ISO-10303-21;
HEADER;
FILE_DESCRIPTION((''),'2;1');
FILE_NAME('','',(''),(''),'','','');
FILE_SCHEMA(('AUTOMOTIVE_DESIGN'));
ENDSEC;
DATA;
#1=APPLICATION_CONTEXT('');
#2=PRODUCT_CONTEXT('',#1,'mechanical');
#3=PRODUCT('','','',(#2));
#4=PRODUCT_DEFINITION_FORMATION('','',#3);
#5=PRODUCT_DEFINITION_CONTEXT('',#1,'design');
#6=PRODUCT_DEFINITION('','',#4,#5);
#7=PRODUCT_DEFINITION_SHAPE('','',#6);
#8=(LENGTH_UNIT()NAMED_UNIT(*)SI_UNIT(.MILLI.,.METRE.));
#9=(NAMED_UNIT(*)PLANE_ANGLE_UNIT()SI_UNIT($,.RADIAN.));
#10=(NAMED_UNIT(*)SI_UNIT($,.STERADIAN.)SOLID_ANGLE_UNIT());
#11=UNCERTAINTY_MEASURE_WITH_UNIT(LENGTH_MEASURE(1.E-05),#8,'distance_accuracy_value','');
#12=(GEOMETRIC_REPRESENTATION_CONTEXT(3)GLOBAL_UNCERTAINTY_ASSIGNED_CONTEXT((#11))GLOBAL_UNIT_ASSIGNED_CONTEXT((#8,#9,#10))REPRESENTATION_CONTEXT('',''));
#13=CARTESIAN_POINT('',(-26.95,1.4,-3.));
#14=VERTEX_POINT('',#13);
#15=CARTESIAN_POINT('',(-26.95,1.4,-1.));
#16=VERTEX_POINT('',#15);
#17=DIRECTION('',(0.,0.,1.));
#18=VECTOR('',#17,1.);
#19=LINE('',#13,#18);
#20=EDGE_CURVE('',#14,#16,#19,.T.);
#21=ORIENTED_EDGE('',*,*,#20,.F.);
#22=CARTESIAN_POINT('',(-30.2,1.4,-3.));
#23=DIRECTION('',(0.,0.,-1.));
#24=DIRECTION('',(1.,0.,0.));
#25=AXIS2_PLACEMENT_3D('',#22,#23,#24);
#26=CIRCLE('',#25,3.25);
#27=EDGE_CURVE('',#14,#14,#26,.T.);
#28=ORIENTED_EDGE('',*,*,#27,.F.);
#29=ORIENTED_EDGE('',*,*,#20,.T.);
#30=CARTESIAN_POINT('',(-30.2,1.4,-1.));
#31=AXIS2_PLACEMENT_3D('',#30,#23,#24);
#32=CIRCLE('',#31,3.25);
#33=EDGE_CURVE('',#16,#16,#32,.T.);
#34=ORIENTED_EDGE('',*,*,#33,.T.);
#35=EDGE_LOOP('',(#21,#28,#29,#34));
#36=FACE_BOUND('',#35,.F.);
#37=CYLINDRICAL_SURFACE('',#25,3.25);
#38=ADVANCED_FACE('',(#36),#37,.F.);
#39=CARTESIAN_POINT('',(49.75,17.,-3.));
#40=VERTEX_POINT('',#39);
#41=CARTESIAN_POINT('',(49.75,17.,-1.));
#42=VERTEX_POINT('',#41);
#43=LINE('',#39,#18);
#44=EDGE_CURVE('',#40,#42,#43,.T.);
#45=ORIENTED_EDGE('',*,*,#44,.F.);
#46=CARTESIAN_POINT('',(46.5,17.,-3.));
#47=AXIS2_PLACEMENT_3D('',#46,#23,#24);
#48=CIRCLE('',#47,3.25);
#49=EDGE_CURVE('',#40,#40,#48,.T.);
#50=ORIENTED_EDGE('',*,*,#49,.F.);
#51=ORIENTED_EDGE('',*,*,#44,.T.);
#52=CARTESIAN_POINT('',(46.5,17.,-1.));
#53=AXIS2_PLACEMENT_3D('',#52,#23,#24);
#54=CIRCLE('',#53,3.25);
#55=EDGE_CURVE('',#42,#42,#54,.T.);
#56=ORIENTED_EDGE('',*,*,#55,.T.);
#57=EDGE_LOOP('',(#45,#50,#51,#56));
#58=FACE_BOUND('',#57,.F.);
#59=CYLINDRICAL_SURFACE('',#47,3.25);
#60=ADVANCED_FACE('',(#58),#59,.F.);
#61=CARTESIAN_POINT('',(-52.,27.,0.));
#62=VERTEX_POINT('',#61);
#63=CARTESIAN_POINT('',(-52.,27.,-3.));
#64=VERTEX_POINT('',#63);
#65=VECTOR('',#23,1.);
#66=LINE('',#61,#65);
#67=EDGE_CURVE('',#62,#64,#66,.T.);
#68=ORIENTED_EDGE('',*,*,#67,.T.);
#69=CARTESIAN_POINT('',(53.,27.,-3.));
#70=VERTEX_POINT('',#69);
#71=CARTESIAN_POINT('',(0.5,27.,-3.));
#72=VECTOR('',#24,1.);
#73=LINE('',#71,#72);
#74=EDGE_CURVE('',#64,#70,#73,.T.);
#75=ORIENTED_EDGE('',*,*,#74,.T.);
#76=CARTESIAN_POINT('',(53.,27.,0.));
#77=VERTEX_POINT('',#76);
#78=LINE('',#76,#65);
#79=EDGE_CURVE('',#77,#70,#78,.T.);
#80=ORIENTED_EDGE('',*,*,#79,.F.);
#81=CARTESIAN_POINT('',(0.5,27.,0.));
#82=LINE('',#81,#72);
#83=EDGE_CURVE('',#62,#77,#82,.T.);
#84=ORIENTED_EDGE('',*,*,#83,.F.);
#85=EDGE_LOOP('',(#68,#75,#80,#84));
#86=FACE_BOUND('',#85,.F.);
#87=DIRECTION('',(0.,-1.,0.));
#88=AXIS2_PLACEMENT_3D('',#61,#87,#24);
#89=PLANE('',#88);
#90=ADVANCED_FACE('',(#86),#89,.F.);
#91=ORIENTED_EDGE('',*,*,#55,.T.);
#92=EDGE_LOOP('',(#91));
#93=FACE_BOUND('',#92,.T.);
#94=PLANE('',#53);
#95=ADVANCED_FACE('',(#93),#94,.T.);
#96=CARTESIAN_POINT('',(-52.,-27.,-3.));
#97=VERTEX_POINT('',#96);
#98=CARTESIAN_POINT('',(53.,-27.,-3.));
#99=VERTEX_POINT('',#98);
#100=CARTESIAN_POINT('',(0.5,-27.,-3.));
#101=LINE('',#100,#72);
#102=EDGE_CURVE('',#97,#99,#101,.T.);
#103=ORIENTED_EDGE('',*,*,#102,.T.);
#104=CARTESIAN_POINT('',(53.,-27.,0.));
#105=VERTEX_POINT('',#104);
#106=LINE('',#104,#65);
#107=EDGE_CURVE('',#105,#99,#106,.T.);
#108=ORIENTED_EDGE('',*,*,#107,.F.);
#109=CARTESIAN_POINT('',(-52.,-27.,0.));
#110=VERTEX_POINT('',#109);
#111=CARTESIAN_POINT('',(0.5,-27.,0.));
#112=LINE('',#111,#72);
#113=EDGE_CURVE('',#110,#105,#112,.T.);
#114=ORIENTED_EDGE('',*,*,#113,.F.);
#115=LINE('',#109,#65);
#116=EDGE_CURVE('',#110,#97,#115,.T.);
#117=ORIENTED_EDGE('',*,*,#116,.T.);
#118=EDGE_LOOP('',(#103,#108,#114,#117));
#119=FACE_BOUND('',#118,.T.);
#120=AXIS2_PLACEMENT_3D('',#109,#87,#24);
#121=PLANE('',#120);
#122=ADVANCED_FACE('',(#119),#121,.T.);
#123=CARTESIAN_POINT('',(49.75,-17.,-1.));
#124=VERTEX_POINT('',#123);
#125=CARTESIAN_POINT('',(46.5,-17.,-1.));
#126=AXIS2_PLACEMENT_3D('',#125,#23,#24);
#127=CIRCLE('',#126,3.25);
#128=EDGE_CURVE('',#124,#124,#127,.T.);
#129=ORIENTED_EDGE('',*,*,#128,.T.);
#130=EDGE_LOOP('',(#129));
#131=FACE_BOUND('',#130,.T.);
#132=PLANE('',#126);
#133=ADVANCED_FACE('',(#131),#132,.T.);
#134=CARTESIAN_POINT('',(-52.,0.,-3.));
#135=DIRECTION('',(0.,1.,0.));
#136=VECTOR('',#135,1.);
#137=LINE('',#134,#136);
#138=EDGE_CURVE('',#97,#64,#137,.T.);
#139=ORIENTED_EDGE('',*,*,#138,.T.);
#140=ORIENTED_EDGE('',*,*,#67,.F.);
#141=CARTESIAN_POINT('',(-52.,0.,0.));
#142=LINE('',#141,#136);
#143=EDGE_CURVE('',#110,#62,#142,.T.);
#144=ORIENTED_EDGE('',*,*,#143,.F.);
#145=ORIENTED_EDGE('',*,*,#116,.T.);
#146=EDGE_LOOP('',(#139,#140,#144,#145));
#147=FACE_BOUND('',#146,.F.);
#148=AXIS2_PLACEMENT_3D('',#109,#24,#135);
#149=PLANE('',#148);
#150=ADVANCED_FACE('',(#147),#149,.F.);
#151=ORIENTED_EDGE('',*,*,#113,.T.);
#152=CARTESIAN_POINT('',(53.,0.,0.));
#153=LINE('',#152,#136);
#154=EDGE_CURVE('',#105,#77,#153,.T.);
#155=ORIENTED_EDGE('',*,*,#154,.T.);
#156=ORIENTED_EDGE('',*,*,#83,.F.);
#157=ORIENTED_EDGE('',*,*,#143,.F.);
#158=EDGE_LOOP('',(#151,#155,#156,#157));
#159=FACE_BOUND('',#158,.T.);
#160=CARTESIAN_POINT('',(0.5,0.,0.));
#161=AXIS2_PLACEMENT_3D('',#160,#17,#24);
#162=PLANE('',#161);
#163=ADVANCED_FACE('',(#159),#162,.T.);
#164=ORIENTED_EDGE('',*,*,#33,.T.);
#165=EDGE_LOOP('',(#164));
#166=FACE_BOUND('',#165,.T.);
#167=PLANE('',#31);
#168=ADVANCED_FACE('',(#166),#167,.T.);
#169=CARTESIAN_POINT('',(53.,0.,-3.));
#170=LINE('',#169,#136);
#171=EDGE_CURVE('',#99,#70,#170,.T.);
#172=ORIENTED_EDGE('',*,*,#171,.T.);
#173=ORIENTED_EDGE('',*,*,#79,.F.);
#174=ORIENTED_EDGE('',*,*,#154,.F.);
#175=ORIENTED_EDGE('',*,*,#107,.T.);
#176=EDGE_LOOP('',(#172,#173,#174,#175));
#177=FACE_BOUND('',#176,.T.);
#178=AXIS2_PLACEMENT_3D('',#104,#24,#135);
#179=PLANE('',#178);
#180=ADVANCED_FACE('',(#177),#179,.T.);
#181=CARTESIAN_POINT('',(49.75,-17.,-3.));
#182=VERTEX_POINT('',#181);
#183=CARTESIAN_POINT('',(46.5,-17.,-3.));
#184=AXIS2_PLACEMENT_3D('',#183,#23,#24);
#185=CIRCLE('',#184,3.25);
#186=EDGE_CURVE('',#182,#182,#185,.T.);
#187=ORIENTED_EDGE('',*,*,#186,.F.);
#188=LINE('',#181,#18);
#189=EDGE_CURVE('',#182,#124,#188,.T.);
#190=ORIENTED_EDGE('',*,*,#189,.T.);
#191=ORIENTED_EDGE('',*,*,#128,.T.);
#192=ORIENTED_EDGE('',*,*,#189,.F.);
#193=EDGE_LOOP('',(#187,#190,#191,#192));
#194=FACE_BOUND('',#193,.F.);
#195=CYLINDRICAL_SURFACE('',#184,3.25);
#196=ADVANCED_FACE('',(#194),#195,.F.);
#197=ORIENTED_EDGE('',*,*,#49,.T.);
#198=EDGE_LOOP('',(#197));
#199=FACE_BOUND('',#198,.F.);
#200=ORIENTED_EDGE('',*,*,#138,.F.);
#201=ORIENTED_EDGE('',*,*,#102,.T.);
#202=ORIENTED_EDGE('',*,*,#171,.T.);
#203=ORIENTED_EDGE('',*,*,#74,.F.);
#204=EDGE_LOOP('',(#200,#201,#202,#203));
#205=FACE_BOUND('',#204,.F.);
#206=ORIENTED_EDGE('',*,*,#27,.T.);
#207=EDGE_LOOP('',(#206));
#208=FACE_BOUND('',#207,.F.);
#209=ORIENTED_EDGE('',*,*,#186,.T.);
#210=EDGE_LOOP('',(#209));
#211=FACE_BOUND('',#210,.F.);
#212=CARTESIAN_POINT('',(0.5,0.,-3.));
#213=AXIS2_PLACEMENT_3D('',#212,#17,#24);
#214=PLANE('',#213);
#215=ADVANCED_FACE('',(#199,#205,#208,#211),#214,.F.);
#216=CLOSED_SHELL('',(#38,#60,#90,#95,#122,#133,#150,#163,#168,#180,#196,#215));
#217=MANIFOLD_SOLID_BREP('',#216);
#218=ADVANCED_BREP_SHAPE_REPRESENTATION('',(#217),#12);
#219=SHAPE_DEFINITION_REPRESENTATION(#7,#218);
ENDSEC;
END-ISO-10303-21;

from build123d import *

# Parameters (mm, degrees)
SKETCH016_W     = 105
SKETCH016_H     = 54
PAD009_DEPTH    = 3
SKETCH028_R     = 3.25
POCKET011_DEPTH = 2
SKETCH029_R     = 3.25
POCKET012_DEPTH = 2
SKETCH030_R     = 3.25
POCKET013_DEPTH = 2


with BuildPart() as part:
    # Sketch016 → Pad009 (new body)
    with BuildSketch(Plane.XY):
        with Locations((0.5, 0)):
            Rectangle(SKETCH016_W, SKETCH016_H)
    extrude(amount=-PAD009_DEPTH)

    # Sketch028 (on Face6 of Pad009) → Pocket011 (cut)
    with BuildSketch(Plane(origin=(0, 0, -3), x_dir=(1, 0, 0), z_dir=(0, 0, -1))):
        with Locations((46.5, 17)):
            Circle(SKETCH028_R)
    extrude(amount=-POCKET011_DEPTH, mode=Mode.SUBTRACT)

    # Sketch029 (on Face5 of Pocket011) → Pocket012 (cut)
    with BuildSketch(Plane(origin=(0, 0, -3), x_dir=(1, 0, 0), z_dir=(0, 0, -1))):
        with Locations((46.5, -17)):
            Circle(SKETCH029_R)
    extrude(amount=-POCKET012_DEPTH, mode=Mode.SUBTRACT)

    # Sketch030 (on Face5 of Pocket012) → Pocket013 (cut)
    with BuildSketch(Plane(origin=(0, 0, -3), x_dir=(1, 0, 0), z_dir=(0, 0, -1))):
        with Locations((-30.2, -1.4)):
            Circle(SKETCH030_R)
    extrude(amount=-POCKET013_DEPTH, mode=Mode.SUBTRACT)


solid = part.part
